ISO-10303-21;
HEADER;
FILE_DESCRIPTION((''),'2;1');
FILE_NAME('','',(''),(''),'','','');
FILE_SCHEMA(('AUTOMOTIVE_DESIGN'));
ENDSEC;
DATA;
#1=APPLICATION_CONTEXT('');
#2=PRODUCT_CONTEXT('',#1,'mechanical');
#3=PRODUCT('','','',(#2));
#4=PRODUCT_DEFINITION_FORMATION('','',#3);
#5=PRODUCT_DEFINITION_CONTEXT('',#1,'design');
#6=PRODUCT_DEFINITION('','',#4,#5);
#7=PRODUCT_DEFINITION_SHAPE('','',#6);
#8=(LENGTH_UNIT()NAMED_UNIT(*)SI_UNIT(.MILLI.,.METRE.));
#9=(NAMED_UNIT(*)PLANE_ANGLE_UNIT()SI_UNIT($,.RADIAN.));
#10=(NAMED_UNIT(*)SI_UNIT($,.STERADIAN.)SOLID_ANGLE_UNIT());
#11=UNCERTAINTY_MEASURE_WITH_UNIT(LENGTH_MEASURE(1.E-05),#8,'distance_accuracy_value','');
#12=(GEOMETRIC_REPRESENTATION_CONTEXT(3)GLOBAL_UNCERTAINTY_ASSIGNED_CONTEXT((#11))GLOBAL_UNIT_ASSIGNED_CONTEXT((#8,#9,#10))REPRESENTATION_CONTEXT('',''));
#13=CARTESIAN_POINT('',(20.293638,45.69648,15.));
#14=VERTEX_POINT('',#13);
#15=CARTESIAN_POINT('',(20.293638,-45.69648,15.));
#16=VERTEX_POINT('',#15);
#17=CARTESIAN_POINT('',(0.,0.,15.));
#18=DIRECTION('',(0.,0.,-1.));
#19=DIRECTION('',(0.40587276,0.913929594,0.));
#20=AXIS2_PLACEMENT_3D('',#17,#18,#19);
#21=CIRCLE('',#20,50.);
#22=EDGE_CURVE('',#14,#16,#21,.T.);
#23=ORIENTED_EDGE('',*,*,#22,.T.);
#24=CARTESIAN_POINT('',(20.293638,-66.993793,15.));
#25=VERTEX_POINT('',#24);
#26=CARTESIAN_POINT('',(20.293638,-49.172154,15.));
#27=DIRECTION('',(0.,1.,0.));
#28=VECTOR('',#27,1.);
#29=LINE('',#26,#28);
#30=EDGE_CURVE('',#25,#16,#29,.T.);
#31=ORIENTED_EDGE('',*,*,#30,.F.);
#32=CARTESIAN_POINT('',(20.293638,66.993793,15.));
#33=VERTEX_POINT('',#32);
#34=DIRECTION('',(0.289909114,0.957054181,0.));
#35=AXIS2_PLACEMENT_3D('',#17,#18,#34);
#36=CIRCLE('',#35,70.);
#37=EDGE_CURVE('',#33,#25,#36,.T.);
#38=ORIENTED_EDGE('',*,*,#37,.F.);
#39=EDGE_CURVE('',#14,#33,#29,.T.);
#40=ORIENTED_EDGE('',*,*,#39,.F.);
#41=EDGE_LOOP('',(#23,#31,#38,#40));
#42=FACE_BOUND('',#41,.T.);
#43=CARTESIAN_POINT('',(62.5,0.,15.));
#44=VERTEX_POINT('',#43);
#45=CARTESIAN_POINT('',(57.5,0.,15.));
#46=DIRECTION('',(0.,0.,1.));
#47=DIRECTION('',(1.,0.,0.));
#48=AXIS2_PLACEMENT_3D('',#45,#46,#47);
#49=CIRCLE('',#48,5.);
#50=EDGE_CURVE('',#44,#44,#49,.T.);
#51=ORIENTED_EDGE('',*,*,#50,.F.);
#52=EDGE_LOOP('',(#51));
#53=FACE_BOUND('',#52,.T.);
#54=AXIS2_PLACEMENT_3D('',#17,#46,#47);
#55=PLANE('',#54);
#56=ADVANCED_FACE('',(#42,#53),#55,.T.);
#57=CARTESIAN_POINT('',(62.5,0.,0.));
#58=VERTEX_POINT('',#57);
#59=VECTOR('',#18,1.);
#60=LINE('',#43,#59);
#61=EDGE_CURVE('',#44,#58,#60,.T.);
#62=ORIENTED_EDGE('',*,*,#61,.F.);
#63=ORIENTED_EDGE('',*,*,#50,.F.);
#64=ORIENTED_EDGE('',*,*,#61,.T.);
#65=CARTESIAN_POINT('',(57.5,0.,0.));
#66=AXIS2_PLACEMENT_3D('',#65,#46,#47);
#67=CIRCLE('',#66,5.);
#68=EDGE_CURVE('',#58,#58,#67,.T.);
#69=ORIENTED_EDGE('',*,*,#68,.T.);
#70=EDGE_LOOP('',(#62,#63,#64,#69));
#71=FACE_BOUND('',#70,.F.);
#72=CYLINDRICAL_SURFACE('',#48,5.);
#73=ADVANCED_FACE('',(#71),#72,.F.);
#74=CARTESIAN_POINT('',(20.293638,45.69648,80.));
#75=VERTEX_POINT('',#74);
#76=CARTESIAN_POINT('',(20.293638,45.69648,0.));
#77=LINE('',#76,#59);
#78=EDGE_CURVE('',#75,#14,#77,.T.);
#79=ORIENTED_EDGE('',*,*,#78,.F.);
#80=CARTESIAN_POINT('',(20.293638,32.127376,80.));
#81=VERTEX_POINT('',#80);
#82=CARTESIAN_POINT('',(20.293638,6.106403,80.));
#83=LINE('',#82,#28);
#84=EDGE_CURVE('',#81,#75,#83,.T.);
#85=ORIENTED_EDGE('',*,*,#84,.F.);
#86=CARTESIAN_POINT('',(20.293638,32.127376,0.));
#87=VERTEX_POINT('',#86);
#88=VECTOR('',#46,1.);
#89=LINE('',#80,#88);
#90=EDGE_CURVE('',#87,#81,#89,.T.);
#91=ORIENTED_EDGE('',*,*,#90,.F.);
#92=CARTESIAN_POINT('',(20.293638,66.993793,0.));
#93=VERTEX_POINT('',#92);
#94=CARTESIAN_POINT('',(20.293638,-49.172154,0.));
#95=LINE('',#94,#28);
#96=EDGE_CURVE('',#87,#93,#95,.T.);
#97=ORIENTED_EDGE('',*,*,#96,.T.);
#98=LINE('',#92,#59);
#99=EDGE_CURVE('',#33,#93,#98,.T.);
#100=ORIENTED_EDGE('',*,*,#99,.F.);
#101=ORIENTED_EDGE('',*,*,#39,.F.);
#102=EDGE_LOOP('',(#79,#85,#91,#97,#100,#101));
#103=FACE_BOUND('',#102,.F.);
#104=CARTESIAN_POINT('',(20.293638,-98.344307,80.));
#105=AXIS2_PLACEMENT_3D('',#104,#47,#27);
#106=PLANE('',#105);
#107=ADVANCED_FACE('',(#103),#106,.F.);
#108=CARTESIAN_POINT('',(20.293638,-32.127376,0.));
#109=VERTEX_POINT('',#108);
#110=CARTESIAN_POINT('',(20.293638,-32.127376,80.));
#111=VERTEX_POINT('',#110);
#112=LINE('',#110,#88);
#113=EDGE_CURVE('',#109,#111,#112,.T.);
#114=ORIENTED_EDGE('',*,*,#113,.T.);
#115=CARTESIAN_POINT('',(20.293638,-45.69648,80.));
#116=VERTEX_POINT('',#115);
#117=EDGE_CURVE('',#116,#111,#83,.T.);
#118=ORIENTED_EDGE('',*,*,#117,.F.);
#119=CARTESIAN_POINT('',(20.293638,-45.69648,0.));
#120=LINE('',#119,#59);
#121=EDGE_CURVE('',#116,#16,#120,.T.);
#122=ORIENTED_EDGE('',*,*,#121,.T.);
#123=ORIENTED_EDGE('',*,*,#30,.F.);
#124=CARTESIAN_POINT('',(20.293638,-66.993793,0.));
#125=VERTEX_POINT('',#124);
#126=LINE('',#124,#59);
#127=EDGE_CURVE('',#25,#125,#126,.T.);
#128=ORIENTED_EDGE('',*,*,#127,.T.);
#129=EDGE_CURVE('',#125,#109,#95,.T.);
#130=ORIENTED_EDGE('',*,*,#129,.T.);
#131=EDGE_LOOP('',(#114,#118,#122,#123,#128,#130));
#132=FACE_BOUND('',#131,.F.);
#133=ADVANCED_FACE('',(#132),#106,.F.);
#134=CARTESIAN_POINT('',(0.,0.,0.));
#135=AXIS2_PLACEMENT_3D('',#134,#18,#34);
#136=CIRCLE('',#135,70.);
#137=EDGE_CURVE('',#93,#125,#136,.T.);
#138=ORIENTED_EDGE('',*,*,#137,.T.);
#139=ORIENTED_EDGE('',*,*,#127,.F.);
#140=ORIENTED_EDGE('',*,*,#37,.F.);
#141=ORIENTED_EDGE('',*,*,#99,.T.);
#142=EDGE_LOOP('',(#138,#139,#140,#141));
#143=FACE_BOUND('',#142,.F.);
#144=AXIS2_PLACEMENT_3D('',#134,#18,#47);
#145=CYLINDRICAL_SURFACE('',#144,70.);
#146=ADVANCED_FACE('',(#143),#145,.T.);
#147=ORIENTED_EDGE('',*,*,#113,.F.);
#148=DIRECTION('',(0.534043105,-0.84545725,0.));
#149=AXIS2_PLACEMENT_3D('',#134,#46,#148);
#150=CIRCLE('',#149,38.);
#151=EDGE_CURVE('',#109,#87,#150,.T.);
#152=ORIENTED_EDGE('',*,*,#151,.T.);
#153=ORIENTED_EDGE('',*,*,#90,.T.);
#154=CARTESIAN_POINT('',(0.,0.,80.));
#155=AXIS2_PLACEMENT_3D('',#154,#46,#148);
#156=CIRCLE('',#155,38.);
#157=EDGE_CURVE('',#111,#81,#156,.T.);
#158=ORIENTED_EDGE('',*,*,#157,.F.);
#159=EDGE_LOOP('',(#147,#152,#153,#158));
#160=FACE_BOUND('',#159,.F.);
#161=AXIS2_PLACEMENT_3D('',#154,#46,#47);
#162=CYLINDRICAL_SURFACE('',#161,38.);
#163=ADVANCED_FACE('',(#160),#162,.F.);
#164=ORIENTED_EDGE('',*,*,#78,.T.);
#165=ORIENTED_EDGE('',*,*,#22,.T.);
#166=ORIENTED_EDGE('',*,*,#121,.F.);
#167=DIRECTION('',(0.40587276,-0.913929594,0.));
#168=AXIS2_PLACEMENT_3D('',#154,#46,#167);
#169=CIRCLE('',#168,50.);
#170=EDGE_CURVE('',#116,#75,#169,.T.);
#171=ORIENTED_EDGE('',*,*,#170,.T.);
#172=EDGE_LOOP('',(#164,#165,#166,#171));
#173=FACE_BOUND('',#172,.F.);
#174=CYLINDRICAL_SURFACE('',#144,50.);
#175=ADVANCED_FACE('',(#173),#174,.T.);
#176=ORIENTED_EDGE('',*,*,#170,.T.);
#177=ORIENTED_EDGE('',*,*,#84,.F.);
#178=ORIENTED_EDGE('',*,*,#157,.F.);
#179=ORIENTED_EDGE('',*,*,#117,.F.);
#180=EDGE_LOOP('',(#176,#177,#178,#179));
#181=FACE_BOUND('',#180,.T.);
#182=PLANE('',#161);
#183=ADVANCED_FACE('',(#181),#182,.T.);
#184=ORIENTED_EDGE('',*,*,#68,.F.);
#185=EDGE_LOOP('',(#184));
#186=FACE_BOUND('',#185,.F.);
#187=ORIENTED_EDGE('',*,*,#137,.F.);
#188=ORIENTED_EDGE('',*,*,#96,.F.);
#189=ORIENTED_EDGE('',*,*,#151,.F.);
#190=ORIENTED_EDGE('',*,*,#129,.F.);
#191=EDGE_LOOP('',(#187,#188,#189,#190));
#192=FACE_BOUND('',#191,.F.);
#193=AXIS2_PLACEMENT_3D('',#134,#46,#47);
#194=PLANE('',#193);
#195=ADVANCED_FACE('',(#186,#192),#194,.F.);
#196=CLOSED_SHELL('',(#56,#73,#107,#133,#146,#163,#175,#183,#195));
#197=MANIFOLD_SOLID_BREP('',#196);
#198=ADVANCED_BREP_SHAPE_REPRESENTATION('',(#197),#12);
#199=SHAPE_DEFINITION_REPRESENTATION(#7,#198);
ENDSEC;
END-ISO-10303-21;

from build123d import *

# Parameters (mm, degrees)
SKETCH_R        = 70
PAD_DEPTH       = 15
SKETCH001_R     = 50
PAD001_DEPTH    = 80
SKETCH002_R     = 38
POCKET_DEPTH    = 150
SKETCH003_R     = 5
POCKET001_DEPTH = 100
SKETCH004_W     = 113.045652
SKETCH004_H     = 208.901421
POCKET002_DEPTH = 150


with BuildPart() as part:
    # Sketch → Pad (new body)
    with BuildSketch(Plane.XY):
        Circle(SKETCH_R)
    extrude(amount=PAD_DEPTH)

    # Sketch001 → Pad001 (join)
    with BuildSketch(Plane.XY):
        Circle(SKETCH001_R)
    extrude(amount=PAD001_DEPTH)

    # Sketch002 (on Face6 of Pad001) → Pocket (cut)
    with BuildSketch(Plane.XY.offset(80)):
        Circle(SKETCH002_R)
    extrude(amount=-POCKET_DEPTH, mode=Mode.SUBTRACT)

    # Sketch003 (on Face3 of Pocket) → Pocket001 (cut)
    with BuildSketch(Plane.XY.offset(15)):
        with Locations((57.5, 0)):
            Circle(SKETCH003_R)
    extrude(amount=-POCKET001_DEPTH, mode=Mode.SUBTRACT)

    # Sketch004 (on DatumPlane) → Pocket002 (cut)
    with BuildSketch(Plane.XY.offset(80)):
        with Locations((-36.229188, 6.106403)):
            Rectangle(SKETCH004_W, SKETCH004_H)
    extrude(amount=-POCKET002_DEPTH, mode=Mode.SUBTRACT)


solid = part.part
